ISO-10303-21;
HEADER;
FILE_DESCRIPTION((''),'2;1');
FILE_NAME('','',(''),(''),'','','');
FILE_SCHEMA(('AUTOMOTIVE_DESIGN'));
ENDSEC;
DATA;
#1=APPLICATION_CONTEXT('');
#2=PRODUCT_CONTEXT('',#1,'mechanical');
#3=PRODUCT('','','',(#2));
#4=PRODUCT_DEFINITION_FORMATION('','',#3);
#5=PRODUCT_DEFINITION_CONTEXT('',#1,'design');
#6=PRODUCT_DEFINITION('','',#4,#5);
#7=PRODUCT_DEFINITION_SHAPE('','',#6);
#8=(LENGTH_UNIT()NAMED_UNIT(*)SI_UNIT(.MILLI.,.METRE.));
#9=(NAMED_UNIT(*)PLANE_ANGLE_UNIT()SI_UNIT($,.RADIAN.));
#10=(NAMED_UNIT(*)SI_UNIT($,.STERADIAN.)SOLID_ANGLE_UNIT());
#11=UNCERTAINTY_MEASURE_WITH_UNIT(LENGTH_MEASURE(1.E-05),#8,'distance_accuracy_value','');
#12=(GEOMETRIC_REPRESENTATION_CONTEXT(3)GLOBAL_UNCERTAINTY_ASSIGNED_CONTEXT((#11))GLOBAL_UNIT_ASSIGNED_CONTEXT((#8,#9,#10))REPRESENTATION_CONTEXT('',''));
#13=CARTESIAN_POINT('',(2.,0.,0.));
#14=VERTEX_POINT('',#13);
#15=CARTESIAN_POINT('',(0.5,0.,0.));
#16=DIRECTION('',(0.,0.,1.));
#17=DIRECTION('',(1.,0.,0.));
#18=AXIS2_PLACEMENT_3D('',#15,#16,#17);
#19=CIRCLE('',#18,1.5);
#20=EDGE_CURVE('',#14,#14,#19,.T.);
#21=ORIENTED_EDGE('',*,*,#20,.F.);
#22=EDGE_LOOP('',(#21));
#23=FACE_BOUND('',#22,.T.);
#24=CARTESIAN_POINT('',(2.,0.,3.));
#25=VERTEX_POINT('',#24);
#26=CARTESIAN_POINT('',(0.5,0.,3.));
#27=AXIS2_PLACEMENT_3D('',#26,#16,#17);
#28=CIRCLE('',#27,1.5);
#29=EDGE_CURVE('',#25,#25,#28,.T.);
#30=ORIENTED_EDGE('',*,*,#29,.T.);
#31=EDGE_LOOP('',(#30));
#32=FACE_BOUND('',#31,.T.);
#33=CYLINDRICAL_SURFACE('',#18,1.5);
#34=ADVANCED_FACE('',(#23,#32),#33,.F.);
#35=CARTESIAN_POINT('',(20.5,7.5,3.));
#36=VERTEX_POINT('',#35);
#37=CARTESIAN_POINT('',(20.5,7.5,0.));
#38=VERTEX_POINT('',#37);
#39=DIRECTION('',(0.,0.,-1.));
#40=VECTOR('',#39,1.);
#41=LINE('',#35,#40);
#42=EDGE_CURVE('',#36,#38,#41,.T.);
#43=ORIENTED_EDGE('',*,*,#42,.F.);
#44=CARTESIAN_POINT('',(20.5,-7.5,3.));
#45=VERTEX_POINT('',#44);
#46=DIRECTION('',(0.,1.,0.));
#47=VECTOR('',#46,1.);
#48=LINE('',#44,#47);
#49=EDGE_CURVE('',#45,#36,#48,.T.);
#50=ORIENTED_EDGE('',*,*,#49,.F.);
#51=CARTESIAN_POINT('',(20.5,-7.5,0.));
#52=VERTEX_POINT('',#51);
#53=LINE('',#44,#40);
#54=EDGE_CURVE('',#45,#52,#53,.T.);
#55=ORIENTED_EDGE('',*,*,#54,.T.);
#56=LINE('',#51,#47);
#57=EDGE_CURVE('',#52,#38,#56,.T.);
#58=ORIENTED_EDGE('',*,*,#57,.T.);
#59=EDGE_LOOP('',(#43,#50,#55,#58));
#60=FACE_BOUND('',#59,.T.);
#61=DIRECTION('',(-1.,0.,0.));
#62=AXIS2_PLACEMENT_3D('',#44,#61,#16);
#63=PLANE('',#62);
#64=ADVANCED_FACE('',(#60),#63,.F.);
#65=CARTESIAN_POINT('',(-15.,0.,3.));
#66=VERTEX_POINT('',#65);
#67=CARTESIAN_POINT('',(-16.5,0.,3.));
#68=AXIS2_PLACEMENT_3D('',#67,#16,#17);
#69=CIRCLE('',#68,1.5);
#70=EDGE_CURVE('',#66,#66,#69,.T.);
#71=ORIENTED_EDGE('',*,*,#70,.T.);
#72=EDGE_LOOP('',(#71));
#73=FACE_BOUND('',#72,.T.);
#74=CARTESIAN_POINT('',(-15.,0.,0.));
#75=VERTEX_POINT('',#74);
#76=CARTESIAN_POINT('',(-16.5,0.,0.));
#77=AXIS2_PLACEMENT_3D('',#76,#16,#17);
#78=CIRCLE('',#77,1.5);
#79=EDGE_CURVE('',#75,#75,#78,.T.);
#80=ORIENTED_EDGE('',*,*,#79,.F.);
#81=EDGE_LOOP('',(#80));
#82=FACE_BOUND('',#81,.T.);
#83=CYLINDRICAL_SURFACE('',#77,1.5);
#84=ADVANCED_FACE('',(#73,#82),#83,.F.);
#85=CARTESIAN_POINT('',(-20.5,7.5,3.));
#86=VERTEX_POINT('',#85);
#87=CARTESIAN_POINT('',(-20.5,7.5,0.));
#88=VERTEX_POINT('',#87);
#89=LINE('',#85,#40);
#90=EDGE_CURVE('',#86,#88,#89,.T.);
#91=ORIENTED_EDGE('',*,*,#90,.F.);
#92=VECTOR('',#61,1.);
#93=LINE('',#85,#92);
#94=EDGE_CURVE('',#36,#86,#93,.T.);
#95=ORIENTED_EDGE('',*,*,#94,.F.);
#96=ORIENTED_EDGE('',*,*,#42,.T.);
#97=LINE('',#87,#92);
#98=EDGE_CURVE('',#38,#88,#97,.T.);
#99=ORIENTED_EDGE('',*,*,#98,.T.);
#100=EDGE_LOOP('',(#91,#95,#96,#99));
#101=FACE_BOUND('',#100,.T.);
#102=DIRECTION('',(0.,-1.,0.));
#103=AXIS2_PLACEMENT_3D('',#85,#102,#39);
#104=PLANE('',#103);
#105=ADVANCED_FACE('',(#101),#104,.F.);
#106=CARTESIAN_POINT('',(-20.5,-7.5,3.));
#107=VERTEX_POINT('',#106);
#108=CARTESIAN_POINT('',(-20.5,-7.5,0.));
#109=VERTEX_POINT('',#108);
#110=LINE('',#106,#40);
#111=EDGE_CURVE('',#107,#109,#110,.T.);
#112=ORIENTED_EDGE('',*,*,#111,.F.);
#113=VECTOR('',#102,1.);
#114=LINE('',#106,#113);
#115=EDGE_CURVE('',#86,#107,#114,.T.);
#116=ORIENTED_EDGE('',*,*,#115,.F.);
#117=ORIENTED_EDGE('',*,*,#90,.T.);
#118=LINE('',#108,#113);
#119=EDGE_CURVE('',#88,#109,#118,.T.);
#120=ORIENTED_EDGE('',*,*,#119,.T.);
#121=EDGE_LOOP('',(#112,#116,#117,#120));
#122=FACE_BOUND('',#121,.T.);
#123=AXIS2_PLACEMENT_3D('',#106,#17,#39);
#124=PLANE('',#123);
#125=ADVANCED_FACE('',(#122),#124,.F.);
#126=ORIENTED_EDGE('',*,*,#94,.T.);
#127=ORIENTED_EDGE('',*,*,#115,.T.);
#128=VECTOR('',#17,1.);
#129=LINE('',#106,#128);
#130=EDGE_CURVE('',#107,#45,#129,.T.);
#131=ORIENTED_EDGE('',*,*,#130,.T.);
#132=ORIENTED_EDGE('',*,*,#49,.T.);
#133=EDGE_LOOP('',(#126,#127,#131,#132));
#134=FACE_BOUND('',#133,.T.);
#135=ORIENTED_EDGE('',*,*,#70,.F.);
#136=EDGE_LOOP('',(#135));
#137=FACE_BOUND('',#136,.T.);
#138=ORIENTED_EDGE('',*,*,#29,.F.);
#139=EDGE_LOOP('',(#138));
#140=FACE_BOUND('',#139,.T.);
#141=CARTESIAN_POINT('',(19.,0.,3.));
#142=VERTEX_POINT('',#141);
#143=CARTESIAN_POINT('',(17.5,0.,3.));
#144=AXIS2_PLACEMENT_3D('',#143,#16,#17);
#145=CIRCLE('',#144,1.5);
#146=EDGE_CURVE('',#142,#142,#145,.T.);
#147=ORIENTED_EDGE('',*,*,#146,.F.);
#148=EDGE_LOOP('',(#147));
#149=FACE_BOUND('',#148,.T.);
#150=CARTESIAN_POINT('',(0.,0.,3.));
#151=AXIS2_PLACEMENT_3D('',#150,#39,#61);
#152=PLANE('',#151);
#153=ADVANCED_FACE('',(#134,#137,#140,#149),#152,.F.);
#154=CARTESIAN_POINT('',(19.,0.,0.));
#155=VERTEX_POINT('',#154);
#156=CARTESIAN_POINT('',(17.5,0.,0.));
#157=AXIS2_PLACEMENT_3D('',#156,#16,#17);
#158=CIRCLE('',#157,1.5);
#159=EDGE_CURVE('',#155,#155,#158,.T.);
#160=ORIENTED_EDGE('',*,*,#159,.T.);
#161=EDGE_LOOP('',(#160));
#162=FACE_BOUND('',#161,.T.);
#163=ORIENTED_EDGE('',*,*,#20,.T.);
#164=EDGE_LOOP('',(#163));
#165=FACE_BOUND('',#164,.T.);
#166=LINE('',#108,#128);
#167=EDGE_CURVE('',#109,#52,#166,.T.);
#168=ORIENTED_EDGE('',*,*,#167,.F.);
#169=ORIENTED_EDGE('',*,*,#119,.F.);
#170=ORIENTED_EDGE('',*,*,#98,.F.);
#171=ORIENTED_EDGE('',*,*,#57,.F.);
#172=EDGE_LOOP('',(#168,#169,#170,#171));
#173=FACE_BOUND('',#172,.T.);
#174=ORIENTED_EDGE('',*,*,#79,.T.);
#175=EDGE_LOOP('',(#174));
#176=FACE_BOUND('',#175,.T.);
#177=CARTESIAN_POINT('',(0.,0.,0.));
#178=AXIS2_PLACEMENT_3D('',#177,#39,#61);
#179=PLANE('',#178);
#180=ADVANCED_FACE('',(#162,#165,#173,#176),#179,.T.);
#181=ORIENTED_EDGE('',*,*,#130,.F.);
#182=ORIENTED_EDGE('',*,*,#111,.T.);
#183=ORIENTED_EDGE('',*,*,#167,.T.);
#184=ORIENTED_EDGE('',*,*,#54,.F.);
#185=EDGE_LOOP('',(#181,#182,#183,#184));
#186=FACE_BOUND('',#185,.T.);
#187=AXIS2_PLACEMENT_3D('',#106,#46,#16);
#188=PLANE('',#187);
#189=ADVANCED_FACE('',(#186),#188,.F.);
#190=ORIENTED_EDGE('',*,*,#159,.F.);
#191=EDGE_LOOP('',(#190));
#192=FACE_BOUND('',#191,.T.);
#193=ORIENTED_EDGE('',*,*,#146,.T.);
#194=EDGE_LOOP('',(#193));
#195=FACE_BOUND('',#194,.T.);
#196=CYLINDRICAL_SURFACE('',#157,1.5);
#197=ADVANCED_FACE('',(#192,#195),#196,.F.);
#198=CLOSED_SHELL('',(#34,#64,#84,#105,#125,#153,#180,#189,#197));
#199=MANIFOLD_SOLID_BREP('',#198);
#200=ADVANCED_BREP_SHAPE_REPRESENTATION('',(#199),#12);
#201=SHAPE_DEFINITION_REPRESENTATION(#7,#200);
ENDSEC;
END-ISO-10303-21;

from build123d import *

# Parameters (mm, degrees)
SKETCH_1_W          = 41
SKETCH_1_H          = 15
EXTRUDE_1_DEPTH     = 3
SKETCH_2_R          = 1.5
CUT_EXTRUDE_1_DEPTH = 23.034064537


with BuildPart() as part:
    # 草图1 → 凸台-拉伸1 (new body)
    with BuildSketch(Plane.XY):
        Rectangle(SKETCH_1_W, SKETCH_1_H)
    extrude(amount=EXTRUDE_1_DEPTH)

    # 草图2 → 切除-拉伸1 (cut, through all)
    with BuildSketch(Plane.XY.offset(3)):
        with Locations((-16.5, 0)):
            Circle(SKETCH_2_R)
        with Locations((0.5, 0)):
            Circle(SKETCH_2_R)
        with Locations((17.5, 0)):
            Circle(SKETCH_2_R)
    extrude(amount=-CUT_EXTRUDE_1_DEPTH, mode=Mode.SUBTRACT)


solid = part.part
